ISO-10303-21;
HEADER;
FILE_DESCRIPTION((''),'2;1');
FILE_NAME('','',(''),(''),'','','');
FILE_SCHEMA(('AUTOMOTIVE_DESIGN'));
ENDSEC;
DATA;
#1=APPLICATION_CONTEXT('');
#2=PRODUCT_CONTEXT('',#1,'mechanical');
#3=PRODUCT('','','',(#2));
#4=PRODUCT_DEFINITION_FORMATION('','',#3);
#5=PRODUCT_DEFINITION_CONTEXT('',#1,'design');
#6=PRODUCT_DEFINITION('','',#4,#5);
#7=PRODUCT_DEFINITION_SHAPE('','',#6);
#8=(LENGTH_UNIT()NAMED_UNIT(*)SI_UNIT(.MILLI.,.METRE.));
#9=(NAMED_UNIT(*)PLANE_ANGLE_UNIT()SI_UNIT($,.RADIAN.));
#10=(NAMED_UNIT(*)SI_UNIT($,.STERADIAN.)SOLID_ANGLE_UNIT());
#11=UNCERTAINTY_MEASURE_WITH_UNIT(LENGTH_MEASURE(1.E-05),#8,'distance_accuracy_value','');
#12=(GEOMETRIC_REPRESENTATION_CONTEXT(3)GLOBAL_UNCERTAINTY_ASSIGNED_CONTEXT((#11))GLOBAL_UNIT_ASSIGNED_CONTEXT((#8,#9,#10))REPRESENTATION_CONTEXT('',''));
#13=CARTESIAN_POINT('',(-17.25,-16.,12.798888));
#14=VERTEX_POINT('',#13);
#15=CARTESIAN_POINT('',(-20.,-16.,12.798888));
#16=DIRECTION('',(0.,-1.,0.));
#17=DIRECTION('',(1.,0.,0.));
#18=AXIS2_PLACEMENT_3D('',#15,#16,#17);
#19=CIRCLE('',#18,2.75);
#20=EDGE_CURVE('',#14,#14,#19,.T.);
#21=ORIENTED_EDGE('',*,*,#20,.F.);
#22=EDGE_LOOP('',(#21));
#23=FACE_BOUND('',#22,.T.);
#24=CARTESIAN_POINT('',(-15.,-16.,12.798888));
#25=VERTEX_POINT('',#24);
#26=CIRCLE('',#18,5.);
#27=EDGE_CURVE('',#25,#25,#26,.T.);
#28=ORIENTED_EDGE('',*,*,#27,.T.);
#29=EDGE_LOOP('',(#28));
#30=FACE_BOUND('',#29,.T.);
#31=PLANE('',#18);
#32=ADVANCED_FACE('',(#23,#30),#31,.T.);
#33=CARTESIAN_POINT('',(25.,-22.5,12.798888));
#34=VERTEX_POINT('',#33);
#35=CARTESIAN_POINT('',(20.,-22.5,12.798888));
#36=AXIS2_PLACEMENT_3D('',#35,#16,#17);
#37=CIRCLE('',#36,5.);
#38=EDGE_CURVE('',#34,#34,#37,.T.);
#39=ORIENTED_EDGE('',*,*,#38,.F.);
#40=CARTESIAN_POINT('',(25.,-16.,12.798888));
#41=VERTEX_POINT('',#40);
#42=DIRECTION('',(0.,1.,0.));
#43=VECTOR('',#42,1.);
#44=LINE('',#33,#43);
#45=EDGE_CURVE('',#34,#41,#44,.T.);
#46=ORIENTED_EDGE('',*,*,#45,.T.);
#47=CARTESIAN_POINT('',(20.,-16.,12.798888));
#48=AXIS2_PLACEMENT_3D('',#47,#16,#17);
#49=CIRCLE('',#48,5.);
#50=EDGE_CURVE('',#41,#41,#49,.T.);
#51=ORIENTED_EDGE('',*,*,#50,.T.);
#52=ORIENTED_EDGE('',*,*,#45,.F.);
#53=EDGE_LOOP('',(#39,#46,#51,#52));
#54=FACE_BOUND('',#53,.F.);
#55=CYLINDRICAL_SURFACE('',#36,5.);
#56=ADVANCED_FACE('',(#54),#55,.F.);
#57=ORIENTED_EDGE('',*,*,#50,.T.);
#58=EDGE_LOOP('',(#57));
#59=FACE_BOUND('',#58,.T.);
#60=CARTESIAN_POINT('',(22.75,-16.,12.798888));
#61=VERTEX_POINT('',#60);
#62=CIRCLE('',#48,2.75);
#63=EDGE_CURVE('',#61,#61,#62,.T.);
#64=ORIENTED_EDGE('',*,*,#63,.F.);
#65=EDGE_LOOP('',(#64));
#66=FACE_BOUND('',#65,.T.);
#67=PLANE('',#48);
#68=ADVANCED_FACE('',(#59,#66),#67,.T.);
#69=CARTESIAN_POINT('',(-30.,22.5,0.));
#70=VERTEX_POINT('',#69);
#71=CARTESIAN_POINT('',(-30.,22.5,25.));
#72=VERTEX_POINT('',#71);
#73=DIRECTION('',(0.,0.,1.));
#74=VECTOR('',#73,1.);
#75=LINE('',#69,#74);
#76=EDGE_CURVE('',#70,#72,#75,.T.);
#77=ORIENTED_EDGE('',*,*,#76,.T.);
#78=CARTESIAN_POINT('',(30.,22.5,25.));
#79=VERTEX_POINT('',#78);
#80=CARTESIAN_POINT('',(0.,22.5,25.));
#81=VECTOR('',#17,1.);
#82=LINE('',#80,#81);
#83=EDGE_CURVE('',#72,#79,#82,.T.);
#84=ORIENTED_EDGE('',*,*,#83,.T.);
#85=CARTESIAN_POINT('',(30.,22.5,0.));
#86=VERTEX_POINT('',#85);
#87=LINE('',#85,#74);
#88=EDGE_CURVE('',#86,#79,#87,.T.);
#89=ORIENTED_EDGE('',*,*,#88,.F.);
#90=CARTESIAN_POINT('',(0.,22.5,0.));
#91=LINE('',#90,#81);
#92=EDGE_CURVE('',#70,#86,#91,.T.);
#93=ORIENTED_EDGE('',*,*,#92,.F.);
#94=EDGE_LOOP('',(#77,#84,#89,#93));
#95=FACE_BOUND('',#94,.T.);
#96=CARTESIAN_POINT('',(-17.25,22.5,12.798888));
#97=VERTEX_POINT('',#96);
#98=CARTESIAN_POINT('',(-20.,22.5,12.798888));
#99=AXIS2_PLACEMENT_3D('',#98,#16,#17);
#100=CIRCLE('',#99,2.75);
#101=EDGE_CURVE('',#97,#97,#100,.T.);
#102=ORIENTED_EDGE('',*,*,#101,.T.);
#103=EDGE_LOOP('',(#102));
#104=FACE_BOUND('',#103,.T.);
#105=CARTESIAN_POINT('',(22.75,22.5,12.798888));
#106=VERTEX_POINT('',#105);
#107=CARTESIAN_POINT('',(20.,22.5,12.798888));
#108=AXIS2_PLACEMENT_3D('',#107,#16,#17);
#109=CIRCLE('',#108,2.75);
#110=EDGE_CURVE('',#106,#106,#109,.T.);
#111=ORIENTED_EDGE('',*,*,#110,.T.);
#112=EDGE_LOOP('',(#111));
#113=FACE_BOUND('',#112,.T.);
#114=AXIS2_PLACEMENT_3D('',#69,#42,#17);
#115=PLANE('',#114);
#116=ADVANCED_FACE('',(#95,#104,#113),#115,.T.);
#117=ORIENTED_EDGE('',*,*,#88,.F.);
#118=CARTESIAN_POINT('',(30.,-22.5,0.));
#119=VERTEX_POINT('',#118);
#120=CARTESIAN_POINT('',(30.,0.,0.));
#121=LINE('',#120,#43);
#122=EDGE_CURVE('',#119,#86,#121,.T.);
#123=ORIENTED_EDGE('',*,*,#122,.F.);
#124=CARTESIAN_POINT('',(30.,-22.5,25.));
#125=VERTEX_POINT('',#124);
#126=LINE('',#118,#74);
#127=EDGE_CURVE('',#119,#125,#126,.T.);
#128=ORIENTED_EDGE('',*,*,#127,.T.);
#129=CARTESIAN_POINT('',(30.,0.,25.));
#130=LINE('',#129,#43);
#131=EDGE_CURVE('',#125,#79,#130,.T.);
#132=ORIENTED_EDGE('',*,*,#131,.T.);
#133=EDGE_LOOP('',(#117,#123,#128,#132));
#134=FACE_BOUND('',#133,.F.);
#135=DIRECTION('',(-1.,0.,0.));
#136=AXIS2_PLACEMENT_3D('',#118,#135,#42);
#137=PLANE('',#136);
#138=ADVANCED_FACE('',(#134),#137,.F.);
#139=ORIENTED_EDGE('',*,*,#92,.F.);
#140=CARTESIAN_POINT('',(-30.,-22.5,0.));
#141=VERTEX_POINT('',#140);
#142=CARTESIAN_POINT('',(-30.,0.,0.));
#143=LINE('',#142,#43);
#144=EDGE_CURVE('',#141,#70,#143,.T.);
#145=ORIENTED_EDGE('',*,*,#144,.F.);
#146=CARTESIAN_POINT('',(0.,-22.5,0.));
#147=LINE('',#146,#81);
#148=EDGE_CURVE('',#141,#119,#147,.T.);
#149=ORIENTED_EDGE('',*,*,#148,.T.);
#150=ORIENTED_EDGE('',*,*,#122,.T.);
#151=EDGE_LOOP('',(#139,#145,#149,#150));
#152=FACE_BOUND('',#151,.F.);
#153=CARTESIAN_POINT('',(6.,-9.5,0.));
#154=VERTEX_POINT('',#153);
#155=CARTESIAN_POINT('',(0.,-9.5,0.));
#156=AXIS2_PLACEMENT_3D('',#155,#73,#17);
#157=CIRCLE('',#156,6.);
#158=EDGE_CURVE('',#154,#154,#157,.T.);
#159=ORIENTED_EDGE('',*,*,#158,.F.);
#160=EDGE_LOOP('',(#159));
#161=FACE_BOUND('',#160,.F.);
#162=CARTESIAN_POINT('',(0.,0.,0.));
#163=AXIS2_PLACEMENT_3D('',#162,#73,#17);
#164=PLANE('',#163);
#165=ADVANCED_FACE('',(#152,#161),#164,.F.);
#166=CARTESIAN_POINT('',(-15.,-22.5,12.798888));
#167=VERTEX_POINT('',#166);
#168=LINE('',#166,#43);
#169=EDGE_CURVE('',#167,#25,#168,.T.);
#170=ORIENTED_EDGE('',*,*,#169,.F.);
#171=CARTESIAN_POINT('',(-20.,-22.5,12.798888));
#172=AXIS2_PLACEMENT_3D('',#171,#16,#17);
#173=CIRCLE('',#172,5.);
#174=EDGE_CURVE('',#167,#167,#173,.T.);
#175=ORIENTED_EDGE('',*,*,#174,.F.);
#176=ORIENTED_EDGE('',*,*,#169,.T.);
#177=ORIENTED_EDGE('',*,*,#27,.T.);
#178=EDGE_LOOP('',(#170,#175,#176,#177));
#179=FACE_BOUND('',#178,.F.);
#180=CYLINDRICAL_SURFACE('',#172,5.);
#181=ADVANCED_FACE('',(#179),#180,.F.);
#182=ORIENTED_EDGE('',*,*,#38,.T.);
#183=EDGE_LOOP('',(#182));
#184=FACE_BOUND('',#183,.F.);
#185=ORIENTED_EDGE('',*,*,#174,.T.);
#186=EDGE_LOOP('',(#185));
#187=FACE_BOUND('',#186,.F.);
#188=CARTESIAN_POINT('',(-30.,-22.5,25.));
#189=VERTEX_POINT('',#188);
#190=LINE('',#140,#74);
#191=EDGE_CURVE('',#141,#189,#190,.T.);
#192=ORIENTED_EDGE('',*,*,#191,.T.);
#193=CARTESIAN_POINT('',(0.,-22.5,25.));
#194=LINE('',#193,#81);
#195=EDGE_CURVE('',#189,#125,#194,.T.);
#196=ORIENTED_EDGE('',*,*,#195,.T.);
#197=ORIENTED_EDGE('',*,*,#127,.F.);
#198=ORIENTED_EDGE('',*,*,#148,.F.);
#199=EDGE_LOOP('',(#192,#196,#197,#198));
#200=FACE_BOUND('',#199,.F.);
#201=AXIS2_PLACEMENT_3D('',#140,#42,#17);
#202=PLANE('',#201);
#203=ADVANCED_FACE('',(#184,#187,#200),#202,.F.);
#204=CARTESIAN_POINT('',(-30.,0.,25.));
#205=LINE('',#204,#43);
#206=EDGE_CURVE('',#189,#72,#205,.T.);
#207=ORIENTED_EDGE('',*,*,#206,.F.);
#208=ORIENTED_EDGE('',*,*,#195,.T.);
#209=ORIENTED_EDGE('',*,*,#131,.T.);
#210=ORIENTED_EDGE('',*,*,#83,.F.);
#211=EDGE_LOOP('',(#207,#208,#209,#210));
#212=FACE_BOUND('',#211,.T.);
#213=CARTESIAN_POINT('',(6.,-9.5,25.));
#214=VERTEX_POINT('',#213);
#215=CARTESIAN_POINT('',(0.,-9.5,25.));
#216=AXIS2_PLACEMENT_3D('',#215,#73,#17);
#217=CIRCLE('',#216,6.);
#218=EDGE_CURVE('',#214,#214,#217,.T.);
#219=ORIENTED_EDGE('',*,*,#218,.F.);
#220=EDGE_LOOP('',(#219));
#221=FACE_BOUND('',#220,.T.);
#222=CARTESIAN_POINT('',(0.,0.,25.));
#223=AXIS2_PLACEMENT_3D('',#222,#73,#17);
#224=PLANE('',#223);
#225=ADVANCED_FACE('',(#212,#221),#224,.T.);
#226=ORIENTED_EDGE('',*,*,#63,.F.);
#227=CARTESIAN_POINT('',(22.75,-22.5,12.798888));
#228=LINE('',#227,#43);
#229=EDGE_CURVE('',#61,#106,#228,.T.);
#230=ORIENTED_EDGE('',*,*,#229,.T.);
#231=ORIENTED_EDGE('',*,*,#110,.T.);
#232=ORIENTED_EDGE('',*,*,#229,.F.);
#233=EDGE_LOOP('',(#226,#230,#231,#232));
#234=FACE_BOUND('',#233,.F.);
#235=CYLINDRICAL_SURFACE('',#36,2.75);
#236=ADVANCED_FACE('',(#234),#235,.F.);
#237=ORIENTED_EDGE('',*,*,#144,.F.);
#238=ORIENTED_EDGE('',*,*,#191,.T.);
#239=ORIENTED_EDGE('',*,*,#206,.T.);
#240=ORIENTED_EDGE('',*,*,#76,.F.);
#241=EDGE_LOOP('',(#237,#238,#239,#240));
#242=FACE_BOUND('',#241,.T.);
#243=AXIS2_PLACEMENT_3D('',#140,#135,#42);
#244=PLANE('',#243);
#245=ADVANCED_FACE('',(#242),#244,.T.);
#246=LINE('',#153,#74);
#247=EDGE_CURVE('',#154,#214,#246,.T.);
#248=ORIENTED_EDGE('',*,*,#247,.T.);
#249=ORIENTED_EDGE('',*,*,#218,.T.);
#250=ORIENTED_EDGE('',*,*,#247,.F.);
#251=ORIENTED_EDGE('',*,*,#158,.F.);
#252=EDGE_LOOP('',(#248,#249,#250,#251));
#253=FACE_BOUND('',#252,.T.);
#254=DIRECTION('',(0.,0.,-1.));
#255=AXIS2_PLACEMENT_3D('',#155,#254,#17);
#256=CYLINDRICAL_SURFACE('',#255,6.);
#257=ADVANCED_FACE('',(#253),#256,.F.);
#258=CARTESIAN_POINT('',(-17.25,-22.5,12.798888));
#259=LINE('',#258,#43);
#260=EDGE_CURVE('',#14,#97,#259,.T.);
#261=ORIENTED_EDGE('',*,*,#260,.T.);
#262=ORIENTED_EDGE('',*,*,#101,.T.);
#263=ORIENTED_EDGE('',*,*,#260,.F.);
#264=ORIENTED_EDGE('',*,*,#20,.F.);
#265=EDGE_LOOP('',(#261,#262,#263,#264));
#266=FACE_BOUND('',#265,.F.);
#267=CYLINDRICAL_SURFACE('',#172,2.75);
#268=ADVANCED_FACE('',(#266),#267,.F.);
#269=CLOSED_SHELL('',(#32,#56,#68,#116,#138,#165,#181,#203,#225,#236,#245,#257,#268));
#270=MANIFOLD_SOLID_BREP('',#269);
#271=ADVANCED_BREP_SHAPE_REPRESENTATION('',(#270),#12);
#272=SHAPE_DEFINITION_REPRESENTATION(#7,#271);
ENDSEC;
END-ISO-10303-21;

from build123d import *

# Parameters (mm, degrees)
F0_W     = 60
F0_H     = 45
F0_R     = 6
F1_DEPTH = 25
F2_R     = 2.75
F3_DEPTH = 45
F2_R_2   = 5
F4_DEPTH = 6.5


with BuildPart() as f1:
    # F0 (on Top) → F1 (new body)
    with BuildSketch(Plane.XY):
        Rectangle(F0_W, F0_H)
        with Locations((0, -9.5)):
            Circle(F0_R, mode=Mode.SUBTRACT)
    extrude(amount=F1_DEPTH)

    # F2 (on face) → F3 (cut)
    with BuildSketch(Plane.XZ.offset(22.5)):
        with Locations((-20, 12.798888)):
            Circle(F2_R)
        with Locations((20, 12.798888)):
            Circle(F2_R)
    extrude(amount=-F3_DEPTH, mode=Mode.SUBTRACT)

    # F2 (on face) → F4 (cut)
    with BuildSketch(Plane.XZ.offset(22.5)):
        with Locations((-20, 12.798888)):
            Circle(F2_R_2)
        with Locations((-20, 12.798888)):
            Circle(F2_R, mode=Mode.SUBTRACT)
        with Locations((20, 12.798888)):
            Circle(F2_R_2)
        with Locations((20, 12.798888)):
            Circle(F2_R, mode=Mode.SUBTRACT)
    extrude(amount=-F4_DEPTH, mode=Mode.SUBTRACT)


solid = f1.part
